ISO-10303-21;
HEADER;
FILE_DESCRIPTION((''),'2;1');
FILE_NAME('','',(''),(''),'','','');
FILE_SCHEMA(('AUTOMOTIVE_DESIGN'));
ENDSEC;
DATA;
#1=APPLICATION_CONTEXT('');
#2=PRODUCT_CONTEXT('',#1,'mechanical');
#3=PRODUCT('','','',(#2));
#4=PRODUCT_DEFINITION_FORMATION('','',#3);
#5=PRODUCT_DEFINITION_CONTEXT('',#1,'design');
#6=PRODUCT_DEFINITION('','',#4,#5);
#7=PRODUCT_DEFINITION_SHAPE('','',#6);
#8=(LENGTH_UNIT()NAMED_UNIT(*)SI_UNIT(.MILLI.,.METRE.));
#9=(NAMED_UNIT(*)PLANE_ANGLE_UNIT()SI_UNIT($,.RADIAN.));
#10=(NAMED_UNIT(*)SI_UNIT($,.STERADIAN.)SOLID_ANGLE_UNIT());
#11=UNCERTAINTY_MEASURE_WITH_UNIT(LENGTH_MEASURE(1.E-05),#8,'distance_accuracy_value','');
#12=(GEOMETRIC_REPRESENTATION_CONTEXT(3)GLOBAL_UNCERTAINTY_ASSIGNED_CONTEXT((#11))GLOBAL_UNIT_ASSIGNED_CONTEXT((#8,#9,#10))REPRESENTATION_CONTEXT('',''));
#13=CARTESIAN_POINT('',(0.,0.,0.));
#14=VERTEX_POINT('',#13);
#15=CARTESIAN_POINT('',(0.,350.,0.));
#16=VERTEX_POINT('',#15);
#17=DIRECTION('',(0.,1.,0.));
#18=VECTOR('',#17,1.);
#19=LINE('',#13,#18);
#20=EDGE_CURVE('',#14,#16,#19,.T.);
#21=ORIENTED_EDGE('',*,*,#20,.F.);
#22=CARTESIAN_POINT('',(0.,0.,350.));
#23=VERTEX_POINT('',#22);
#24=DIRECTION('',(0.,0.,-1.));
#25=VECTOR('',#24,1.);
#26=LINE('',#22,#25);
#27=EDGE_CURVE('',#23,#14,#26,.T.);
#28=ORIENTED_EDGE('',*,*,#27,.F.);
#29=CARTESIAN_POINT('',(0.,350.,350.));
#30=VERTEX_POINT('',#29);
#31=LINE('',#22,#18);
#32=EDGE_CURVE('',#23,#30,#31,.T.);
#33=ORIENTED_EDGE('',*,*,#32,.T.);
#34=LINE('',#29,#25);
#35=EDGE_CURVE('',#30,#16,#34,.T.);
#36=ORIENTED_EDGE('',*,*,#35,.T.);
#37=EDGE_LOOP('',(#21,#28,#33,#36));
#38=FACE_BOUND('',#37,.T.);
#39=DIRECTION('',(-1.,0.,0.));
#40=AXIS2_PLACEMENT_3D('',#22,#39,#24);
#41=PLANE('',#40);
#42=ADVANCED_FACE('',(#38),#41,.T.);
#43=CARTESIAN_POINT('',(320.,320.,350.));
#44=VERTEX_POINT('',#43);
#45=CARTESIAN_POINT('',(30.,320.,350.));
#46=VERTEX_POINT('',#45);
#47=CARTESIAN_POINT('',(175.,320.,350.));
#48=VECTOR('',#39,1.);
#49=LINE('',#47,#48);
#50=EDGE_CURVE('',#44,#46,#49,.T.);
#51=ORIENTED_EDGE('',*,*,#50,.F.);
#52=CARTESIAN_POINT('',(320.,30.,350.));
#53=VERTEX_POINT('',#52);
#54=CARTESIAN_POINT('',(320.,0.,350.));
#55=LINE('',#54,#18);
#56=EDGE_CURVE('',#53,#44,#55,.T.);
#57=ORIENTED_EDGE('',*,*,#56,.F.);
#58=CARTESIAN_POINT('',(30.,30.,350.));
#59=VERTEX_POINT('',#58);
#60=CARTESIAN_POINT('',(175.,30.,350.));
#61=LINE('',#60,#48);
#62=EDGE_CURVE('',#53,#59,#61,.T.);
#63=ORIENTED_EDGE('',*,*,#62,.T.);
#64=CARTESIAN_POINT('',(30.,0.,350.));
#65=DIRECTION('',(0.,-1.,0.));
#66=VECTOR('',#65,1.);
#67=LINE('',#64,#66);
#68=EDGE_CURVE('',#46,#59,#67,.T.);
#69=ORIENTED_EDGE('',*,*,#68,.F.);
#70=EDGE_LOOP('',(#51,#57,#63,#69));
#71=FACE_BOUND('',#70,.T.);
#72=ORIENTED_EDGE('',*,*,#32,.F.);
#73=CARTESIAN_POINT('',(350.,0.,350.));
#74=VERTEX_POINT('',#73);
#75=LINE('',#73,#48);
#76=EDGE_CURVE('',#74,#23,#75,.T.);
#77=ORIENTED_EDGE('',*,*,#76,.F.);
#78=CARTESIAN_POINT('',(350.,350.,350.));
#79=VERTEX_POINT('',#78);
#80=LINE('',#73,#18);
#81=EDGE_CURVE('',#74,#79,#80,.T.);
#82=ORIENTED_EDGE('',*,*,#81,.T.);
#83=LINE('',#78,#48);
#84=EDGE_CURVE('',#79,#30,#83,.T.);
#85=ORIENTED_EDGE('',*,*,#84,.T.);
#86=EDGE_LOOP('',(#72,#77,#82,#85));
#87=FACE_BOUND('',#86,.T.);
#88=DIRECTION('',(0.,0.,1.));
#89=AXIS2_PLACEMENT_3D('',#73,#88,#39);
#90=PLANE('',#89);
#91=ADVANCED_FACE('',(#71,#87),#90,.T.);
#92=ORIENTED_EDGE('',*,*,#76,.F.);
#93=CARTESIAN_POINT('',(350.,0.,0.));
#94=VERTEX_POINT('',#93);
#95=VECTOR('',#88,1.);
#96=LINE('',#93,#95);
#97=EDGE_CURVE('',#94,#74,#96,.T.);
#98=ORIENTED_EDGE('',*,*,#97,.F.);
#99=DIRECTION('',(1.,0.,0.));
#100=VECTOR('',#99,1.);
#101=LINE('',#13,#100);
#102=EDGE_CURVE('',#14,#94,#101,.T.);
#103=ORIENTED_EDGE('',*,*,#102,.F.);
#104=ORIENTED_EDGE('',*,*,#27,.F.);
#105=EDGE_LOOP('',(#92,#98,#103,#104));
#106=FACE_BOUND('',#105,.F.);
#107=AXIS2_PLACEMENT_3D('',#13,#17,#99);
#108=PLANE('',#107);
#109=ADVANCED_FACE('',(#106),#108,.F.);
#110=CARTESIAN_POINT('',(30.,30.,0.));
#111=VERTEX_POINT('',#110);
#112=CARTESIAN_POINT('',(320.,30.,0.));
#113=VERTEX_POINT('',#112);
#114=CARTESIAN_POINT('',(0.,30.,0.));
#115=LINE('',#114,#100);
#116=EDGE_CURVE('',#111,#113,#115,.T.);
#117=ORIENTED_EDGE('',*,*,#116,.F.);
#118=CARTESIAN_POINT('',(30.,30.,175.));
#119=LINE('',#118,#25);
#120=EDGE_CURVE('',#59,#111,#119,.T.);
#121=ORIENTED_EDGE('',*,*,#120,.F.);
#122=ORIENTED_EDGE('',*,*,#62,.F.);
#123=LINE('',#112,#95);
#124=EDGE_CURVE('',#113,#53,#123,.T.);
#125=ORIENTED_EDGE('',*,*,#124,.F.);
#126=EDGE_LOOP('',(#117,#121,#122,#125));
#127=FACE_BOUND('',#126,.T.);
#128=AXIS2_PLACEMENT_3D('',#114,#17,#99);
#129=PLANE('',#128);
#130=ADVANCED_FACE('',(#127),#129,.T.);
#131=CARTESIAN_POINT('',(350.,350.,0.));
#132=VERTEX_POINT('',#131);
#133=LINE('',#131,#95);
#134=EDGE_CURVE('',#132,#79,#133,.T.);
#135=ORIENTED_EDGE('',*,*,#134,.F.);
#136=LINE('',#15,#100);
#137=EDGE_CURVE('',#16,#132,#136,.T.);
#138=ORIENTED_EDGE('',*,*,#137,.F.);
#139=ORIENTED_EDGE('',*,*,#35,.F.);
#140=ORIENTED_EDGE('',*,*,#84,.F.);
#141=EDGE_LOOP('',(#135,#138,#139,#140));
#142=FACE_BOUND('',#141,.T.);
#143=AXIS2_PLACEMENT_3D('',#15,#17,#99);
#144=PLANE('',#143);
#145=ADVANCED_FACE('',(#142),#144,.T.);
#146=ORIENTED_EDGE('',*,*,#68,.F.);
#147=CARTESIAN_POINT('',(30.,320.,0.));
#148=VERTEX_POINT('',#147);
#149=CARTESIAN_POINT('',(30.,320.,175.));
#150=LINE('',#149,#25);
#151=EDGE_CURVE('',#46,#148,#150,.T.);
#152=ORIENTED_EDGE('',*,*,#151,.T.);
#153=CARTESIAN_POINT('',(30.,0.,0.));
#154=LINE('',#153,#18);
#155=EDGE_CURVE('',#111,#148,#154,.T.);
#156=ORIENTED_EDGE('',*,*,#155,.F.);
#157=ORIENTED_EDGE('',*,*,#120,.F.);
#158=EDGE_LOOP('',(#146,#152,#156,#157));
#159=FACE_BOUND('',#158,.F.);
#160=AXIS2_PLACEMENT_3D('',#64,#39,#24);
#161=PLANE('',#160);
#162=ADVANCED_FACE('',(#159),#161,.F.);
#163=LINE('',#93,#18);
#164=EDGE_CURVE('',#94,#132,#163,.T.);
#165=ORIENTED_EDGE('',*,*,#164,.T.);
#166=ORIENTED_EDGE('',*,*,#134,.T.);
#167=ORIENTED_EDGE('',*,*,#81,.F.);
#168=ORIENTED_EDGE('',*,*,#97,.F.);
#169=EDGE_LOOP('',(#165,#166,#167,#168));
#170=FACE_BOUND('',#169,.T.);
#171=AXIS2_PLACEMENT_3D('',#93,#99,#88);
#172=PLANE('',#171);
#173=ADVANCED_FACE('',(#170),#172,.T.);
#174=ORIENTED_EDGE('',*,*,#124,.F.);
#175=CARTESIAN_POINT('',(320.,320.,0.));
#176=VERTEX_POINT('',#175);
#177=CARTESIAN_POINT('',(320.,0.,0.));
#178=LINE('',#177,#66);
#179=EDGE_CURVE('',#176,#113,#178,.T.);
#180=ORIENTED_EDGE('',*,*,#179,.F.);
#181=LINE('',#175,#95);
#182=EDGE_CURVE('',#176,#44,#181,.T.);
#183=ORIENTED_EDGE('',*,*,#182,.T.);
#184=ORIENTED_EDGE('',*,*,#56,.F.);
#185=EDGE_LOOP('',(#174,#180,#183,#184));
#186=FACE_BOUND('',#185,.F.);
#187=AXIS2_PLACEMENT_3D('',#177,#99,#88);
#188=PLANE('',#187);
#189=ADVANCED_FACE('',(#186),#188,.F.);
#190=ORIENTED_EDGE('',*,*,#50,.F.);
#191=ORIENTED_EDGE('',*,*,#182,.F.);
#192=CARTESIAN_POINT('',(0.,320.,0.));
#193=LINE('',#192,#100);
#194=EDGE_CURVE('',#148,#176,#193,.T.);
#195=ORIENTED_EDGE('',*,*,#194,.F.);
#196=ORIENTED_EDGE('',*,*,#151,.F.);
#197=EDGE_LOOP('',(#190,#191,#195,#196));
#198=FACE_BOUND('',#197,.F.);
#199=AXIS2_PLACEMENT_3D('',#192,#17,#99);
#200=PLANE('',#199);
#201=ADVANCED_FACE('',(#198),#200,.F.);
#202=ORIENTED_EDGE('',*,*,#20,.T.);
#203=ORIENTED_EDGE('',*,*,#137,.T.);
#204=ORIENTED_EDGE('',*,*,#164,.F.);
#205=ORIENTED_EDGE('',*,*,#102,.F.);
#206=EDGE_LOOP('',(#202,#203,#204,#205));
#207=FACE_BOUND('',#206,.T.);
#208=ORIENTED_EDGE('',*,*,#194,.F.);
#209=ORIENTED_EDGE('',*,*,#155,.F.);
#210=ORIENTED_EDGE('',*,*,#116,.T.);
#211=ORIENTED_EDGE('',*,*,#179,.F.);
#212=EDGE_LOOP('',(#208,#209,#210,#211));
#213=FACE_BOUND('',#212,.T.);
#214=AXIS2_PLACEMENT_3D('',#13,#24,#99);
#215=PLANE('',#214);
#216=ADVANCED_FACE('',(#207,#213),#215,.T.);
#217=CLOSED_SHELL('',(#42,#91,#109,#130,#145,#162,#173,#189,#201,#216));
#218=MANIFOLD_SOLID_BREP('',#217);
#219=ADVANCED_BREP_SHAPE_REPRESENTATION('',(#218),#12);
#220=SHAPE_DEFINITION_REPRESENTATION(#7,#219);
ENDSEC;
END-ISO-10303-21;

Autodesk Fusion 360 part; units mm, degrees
sketch "Esquisse1" plane through (0, 0, 0) normal (0, 1, 0) x (1, 0, 0)
  line L0 (0, 0) -> (350, 0)
  line L1 (350, 0) -> (350, -350)
  line L2 (350, -350) -> (0, -350)
  line L3 (0, -350) -> (0, 0)
  dimension "d1" = 350
  dimension "d2" = 350
extrude "Extrusion1" add sketch "Esquisse1" along normal blind 350
sketch "Esquisse2" plane through (0, 0, 0) normal (0, 0, 1) x (1, 0, 0)
shell "Coque1" thickness 30 removed faces 2 at (116.6667, 116.6667, 0) at (233.3333, 116.6667, 350)
